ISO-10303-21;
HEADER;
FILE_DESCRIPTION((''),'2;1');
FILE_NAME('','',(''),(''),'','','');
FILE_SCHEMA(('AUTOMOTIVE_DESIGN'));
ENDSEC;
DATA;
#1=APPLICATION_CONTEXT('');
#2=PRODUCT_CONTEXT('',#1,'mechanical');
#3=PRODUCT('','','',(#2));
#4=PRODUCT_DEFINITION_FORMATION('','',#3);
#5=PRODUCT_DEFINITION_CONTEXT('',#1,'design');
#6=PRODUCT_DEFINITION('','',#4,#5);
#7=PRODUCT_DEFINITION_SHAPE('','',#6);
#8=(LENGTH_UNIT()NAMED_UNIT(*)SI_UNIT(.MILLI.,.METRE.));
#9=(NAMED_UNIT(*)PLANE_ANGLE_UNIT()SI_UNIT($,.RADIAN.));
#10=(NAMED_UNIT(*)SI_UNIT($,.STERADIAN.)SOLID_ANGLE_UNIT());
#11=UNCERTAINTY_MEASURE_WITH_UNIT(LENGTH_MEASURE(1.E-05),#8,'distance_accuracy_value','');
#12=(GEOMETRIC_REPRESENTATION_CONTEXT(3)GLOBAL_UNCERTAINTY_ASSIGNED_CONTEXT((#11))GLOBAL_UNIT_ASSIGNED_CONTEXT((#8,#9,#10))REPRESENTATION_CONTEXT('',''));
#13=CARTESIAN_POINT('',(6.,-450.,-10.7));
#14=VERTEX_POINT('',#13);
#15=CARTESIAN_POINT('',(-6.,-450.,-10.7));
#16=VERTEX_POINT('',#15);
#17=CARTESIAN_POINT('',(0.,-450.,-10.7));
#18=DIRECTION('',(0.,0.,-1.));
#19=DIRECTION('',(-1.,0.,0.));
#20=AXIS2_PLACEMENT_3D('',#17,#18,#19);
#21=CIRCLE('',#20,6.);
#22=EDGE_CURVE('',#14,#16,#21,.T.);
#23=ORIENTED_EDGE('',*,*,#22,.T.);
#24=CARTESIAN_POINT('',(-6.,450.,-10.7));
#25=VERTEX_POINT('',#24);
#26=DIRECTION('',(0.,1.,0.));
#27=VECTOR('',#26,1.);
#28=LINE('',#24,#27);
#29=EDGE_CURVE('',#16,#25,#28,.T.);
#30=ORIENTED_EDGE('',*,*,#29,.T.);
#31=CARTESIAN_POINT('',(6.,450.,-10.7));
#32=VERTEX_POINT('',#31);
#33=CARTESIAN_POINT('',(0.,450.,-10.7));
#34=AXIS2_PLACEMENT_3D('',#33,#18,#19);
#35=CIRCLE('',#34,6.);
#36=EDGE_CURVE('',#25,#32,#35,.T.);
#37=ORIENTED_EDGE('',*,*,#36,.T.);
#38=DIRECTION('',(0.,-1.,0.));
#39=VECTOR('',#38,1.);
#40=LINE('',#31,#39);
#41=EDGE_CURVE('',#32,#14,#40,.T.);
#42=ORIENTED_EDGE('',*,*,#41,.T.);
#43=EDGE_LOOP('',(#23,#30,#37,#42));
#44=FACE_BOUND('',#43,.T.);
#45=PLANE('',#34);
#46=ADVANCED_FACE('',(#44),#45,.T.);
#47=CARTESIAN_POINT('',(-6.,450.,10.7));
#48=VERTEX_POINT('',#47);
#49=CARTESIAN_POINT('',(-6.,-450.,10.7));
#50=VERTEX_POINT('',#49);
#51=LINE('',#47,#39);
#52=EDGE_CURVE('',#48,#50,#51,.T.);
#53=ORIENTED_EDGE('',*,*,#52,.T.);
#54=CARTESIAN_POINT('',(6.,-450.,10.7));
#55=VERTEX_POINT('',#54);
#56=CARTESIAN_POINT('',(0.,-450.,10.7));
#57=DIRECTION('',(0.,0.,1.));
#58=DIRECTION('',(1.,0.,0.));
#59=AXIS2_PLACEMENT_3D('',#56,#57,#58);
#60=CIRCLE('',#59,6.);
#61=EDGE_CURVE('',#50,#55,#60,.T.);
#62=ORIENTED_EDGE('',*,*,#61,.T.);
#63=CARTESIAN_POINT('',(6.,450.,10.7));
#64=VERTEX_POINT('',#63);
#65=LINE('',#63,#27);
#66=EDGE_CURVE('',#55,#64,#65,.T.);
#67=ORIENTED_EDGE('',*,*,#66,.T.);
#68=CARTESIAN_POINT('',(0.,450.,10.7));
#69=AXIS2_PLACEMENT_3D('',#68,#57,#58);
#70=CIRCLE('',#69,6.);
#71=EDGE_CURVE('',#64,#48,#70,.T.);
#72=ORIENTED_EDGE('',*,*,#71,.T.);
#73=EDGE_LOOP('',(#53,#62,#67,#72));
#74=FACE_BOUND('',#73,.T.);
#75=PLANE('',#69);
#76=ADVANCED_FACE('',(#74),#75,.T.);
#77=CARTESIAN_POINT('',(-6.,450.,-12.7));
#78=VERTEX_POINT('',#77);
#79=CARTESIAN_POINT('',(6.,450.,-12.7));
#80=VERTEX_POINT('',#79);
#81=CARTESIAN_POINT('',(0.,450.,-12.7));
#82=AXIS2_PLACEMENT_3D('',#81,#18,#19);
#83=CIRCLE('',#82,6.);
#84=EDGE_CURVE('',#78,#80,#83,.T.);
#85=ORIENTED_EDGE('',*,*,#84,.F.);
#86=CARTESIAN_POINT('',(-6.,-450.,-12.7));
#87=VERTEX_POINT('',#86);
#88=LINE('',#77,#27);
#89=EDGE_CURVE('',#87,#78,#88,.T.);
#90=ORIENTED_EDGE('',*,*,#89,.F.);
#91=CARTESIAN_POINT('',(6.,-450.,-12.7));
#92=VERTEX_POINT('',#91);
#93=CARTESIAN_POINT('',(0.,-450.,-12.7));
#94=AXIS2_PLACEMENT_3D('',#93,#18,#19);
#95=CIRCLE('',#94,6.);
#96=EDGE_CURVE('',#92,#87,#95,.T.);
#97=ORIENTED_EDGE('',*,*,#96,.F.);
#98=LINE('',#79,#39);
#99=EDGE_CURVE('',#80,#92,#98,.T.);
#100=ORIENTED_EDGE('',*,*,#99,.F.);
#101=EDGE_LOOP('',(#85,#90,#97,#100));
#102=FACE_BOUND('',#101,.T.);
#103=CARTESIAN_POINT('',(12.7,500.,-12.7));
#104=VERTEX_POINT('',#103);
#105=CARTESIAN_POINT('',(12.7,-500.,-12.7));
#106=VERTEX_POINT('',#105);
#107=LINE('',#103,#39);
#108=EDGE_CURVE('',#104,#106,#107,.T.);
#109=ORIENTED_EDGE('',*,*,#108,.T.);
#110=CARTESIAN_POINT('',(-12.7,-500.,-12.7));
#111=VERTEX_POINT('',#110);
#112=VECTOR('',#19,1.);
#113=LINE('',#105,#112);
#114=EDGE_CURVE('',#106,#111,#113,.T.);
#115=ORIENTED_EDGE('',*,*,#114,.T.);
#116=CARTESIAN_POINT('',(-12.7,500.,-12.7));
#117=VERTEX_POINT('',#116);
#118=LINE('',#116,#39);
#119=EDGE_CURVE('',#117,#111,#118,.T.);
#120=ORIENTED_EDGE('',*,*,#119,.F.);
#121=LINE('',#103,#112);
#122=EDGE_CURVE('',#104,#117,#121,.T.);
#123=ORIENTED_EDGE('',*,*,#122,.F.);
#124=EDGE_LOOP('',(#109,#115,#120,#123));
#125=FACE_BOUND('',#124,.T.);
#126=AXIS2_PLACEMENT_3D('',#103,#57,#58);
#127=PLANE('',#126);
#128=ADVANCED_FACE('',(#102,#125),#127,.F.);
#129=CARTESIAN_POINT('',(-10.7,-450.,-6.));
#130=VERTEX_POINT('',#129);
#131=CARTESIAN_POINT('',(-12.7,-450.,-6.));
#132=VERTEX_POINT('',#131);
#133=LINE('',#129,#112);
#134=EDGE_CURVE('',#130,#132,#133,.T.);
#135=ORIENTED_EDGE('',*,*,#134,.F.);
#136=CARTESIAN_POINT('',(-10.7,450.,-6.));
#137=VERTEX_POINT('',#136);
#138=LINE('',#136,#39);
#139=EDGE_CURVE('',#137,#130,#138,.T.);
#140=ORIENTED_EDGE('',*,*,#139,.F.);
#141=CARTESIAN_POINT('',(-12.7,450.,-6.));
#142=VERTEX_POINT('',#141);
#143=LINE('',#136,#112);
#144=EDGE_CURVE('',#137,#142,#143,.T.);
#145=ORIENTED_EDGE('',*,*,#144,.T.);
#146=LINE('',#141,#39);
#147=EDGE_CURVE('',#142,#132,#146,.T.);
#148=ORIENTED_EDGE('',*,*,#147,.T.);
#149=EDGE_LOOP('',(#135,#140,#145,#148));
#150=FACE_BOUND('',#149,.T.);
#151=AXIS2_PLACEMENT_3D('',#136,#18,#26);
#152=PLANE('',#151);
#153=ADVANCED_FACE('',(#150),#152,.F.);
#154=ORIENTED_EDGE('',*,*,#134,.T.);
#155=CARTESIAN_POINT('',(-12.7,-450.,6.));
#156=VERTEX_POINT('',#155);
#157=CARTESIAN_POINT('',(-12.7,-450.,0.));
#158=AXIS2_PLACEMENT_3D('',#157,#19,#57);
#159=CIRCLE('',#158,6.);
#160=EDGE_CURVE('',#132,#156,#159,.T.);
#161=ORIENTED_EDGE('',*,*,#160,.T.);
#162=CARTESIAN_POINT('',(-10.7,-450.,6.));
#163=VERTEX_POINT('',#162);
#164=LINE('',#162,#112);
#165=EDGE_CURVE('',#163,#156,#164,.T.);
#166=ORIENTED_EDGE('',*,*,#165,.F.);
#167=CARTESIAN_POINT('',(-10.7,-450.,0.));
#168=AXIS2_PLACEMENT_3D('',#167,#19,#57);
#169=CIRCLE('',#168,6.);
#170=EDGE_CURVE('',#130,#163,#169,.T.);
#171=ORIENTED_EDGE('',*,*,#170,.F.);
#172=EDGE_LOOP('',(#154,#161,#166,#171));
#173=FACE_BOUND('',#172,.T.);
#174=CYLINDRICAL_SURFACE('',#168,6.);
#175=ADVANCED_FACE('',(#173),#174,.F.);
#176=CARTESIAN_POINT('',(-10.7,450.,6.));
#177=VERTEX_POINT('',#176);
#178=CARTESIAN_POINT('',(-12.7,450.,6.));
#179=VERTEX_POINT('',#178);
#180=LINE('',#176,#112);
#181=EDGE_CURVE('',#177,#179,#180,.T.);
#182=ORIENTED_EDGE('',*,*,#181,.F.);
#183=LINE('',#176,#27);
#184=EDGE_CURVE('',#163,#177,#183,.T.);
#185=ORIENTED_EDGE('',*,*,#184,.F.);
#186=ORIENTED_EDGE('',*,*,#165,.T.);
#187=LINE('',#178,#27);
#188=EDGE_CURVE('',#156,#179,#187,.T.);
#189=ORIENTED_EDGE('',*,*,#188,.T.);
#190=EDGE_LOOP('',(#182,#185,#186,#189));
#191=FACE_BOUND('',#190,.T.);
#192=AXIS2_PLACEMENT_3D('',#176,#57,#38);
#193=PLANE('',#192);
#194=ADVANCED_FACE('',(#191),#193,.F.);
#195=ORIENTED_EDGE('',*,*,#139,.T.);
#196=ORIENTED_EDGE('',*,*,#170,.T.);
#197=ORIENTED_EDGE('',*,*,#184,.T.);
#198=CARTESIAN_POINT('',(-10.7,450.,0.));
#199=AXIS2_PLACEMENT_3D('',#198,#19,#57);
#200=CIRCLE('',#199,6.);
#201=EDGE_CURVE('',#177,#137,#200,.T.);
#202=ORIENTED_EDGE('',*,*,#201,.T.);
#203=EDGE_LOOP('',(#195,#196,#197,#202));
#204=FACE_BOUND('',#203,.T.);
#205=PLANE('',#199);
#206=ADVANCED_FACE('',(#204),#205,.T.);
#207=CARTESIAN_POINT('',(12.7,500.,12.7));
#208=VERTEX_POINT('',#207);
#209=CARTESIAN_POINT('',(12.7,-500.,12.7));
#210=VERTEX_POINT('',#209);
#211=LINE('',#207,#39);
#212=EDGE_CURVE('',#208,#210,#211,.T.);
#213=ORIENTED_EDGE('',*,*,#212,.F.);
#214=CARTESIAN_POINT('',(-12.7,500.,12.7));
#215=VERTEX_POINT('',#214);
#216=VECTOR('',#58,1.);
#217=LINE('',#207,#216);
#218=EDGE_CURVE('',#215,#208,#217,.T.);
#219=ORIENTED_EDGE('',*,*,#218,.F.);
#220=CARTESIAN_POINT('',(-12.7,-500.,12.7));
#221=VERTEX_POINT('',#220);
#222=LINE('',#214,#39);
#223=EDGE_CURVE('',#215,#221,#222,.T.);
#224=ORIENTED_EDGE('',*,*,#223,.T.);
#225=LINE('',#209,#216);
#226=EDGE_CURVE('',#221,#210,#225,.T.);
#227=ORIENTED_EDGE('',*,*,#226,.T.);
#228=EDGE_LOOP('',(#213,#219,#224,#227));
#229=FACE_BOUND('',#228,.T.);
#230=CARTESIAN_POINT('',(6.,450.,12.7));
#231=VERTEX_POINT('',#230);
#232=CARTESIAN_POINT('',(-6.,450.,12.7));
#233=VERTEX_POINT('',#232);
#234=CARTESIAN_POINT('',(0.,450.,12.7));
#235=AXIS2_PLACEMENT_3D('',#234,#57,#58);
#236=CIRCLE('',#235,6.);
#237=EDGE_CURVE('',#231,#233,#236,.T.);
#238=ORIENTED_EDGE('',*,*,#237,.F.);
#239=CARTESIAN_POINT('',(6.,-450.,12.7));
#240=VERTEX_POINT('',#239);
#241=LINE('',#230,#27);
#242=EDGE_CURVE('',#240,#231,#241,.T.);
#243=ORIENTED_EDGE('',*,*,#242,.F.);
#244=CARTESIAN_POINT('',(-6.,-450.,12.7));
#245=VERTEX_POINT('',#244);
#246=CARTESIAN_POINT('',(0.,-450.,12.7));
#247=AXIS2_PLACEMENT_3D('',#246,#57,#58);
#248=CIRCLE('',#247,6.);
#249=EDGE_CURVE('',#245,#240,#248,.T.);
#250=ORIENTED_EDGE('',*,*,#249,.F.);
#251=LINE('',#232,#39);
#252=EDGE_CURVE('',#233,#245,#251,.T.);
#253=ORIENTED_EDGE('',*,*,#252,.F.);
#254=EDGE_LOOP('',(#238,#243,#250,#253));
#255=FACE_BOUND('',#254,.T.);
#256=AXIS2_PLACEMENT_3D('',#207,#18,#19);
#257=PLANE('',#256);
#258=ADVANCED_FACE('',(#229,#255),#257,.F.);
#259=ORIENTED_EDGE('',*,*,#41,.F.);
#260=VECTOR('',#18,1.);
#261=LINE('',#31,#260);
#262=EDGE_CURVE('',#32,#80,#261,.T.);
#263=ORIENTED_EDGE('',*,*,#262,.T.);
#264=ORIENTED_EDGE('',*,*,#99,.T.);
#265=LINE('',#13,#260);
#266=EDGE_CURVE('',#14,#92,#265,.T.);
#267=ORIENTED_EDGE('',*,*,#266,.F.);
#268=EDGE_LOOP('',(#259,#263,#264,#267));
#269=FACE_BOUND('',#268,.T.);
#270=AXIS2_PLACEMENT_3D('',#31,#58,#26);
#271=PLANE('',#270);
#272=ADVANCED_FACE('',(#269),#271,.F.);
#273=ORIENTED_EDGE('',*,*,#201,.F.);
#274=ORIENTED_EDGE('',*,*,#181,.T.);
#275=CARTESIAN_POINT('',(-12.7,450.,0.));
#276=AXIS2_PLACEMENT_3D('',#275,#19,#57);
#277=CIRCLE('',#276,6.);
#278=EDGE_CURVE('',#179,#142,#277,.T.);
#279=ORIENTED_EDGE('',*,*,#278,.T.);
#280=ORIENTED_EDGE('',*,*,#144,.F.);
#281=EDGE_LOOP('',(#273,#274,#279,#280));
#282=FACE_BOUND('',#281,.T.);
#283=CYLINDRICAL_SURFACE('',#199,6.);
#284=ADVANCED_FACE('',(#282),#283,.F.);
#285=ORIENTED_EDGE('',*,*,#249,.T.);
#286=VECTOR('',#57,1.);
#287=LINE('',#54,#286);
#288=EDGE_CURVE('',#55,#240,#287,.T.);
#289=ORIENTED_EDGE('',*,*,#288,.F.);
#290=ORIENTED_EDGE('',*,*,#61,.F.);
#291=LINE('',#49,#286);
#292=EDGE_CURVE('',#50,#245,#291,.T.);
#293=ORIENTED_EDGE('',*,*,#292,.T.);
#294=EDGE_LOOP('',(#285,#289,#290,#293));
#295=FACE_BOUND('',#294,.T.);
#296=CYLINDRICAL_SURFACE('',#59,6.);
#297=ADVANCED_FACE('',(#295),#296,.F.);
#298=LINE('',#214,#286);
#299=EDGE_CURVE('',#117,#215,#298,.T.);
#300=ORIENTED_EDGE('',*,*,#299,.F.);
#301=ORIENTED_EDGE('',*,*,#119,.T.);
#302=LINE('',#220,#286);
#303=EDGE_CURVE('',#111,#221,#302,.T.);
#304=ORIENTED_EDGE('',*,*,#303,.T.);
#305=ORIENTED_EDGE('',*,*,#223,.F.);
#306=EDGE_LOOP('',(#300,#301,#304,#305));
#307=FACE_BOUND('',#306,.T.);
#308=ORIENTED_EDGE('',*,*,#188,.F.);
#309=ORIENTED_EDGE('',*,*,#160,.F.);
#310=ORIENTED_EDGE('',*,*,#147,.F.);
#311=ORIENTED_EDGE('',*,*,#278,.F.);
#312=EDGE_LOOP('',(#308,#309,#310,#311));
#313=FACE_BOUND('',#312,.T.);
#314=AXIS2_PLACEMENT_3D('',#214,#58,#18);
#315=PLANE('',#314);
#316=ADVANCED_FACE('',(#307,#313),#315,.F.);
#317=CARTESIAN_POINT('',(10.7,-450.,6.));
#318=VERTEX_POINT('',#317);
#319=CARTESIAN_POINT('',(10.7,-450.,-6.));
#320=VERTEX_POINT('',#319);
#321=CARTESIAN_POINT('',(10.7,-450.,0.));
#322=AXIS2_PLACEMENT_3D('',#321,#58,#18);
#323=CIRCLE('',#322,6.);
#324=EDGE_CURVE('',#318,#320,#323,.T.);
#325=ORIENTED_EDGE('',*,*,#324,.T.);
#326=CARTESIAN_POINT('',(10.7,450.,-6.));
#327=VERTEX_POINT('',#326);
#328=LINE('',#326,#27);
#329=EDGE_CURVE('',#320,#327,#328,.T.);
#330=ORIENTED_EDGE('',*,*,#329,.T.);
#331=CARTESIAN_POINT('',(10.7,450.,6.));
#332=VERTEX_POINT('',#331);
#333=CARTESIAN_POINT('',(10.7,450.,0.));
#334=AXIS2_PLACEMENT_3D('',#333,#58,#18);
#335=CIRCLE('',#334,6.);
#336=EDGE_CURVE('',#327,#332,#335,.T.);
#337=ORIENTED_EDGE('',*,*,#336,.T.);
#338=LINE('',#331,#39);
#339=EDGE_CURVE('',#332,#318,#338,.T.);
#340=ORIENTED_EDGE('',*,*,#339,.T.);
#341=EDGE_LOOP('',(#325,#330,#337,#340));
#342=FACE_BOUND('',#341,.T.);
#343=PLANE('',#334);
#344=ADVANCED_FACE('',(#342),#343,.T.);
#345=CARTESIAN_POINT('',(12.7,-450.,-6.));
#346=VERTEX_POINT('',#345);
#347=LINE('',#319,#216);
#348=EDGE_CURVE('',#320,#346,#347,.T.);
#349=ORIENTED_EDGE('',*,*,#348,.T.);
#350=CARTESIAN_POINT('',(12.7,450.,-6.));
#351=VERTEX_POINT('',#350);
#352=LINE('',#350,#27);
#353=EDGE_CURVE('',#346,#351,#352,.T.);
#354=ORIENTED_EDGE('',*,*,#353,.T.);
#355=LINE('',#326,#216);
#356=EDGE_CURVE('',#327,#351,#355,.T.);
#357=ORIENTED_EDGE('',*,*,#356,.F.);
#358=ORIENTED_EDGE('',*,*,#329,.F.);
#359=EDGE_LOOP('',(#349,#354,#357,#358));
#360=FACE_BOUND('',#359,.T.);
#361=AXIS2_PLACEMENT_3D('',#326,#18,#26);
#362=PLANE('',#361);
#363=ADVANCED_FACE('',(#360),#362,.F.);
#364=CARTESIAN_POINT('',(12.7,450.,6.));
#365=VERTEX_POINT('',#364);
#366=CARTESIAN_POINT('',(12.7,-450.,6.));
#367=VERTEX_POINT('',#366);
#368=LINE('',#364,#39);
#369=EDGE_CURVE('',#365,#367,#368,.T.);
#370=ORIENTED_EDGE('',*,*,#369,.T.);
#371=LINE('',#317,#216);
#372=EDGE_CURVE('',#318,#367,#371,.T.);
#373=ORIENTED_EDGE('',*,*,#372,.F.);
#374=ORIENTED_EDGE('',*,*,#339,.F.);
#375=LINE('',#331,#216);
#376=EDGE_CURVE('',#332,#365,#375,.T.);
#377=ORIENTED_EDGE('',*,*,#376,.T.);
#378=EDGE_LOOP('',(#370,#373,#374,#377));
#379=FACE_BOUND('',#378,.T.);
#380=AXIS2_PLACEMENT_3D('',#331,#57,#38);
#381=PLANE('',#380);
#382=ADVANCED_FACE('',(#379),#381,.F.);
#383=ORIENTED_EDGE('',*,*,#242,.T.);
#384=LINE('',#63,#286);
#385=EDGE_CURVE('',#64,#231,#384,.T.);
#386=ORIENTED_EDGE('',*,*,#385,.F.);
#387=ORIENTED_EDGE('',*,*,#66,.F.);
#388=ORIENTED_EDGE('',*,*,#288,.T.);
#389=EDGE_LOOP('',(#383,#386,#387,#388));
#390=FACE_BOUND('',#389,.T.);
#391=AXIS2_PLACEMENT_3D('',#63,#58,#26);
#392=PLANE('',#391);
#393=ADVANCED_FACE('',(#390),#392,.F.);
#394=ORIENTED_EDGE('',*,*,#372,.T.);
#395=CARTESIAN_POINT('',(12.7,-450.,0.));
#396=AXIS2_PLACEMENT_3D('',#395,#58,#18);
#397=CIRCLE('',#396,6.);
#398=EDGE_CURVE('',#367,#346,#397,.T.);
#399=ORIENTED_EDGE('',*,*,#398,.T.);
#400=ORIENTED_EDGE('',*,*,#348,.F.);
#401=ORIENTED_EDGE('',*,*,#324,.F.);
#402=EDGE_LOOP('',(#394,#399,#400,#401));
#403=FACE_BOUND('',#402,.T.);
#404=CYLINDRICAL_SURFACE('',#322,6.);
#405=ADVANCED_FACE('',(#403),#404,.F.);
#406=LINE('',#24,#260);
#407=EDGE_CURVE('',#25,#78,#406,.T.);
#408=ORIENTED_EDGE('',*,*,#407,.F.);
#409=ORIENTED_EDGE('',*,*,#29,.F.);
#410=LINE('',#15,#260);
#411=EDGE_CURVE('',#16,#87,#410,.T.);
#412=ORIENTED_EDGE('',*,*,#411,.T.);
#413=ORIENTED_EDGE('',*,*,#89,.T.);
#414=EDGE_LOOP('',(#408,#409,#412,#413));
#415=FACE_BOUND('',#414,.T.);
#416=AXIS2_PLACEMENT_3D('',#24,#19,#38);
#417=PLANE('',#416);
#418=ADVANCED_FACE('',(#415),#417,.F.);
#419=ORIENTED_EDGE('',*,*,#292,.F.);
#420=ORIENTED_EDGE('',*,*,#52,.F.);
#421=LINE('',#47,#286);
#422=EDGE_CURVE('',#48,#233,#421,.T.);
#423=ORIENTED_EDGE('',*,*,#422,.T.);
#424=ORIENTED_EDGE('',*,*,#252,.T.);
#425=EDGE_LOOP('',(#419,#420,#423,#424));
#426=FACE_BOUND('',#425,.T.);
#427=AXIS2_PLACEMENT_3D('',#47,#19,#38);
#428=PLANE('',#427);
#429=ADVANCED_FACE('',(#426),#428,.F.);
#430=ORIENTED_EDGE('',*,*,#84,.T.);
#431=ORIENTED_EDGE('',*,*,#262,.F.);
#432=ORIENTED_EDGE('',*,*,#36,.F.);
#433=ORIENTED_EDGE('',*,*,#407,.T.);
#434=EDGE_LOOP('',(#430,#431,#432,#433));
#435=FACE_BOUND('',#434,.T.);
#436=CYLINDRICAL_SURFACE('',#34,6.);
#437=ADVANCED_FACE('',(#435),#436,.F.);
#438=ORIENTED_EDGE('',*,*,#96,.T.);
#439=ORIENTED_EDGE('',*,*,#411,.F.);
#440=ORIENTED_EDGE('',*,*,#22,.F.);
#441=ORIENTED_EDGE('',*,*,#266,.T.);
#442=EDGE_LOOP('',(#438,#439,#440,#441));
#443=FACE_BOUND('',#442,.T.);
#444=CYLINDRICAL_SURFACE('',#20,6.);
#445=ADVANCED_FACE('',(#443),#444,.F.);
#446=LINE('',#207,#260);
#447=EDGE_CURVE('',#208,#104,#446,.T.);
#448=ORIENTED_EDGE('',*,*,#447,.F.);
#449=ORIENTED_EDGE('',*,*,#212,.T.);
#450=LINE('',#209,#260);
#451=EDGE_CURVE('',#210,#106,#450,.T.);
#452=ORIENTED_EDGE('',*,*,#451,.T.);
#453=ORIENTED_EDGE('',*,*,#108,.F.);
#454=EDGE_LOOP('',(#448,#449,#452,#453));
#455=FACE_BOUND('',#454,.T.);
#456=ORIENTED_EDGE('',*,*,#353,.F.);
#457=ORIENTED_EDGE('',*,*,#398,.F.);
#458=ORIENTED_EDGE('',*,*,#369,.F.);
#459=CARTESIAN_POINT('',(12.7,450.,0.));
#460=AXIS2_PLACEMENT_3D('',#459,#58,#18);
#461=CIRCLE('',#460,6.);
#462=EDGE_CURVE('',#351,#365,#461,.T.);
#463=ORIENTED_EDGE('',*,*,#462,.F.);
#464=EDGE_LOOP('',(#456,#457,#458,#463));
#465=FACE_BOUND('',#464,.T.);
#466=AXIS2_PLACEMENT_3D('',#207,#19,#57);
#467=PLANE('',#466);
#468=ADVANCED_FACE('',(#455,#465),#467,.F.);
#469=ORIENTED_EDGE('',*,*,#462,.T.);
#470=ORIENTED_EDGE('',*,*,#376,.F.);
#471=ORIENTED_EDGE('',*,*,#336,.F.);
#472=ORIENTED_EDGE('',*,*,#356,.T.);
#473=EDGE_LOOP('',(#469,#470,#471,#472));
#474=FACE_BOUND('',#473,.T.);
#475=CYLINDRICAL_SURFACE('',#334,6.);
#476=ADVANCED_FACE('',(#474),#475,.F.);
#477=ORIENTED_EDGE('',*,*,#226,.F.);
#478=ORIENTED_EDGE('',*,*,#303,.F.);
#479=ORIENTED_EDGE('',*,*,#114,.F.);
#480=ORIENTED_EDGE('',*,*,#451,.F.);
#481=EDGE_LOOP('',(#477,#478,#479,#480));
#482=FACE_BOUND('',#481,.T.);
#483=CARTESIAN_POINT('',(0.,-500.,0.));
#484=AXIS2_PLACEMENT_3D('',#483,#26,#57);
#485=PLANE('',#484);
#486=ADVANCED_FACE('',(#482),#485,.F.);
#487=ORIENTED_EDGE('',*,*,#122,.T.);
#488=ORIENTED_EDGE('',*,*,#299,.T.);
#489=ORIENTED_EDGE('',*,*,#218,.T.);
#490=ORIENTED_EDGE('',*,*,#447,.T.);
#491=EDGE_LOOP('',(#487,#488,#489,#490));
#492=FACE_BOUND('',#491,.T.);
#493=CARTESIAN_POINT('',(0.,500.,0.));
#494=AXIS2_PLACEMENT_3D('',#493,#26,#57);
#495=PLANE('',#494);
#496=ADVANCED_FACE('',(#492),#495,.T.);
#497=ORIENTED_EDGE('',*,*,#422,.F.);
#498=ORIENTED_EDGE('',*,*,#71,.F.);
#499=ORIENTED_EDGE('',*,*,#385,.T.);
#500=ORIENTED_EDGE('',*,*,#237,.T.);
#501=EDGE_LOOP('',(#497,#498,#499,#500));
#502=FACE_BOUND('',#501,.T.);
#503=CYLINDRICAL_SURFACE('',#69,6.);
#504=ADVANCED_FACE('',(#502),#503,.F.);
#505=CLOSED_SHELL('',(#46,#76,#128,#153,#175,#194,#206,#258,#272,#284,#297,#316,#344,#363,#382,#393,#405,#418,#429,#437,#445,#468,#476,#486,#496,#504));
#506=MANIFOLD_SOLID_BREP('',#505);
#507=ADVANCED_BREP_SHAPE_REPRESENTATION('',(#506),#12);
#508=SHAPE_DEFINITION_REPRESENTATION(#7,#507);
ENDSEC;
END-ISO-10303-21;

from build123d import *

# Parameters (mm, degrees)
SKETCH1_W           = 25.4
SKETCH1_H           = 25.4
BOSS_EXTRUDE1_DEPTH = 500
CUT_EXTRUDE2_DEPTH  = 2
CUT_EXTRUDE3_DEPTH  = 2
CUT_EXTRUDE4_START  = -2
CUT_EXTRUDE4_DEPTH  = 2
CUT_EXTRUDE5_START  = -2
CUT_EXTRUDE5_DEPTH  = 2


with BuildPart() as part:
    # Sketch1 → Boss-Extrude1 (new, symmetric)
    with BuildSketch(Plane(origin=(0, 0, 0), x_dir=(1, 0, 0), z_dir=(0, 1, 0))):
        Rectangle(SKETCH1_W, SKETCH1_H)
    extrude(amount=BOSS_EXTRUDE1_DEPTH, both=True)

    # Sketch5 → Cut-Extrude2 (cut)
    with BuildSketch(Plane.XY.offset(12.7)):
        with BuildLine():
            Line((6, 450), (6, -450))
            ThreePointArc((6, -450), (0, -456), (-6, -450))
            Line((-6, -450), (-6, 450))
            ThreePointArc((-6, 450), (0, 456), (6, 450))
        make_face()
    extrude(amount=-CUT_EXTRUDE2_DEPTH, mode=Mode.SUBTRACT)

    # Sketch6 → Cut-Extrude3 (cut)
    with BuildSketch(Plane(origin=(12.7, 0, 0), x_dir=(0, 0, -1), z_dir=(1, 0, 0))):
        with BuildLine():
            Line((6, 450), (6, -450))
            ThreePointArc((6, -450), (0, -456), (-6, -450))
            Line((-6, -450), (-6, 450))
            ThreePointArc((-6, 450), (0, 456), (6, 450))
        make_face()
    extrude(amount=-CUT_EXTRUDE3_DEPTH, mode=Mode.SUBTRACT)

    # Sketch8 → Cut-Extrude4 (cut)
    with BuildSketch(Plane(origin=(0, 0, -12.7), x_dir=(-1, 0, 0), z_dir=(0, 0, -1)).offset(CUT_EXTRUDE4_START)):
        with BuildLine():
            Line((6, 450), (6, -450))
            ThreePointArc((6, -450), (0, -456), (-6, -450))
            Line((-6, -450), (-6, 450))
            ThreePointArc((-6, 450), (0, 456), (6, 450))
        make_face()
    extrude(amount=CUT_EXTRUDE4_DEPTH, mode=Mode.SUBTRACT)

    # Sketch9 → Cut-Extrude5 (cut)
    with BuildSketch(Plane.ZY.offset(12.7).offset(CUT_EXTRUDE5_START)):
        with BuildLine():
            Line((6, 450), (6, -450))
            ThreePointArc((6, -450), (0, -456), (-6, -450))
            Line((-6, -450), (-6, 450))
            ThreePointArc((-6, 450), (0, 456), (6, 450))
        make_face()
    extrude(amount=CUT_EXTRUDE5_DEPTH, mode=Mode.SUBTRACT)


solid = part.part
